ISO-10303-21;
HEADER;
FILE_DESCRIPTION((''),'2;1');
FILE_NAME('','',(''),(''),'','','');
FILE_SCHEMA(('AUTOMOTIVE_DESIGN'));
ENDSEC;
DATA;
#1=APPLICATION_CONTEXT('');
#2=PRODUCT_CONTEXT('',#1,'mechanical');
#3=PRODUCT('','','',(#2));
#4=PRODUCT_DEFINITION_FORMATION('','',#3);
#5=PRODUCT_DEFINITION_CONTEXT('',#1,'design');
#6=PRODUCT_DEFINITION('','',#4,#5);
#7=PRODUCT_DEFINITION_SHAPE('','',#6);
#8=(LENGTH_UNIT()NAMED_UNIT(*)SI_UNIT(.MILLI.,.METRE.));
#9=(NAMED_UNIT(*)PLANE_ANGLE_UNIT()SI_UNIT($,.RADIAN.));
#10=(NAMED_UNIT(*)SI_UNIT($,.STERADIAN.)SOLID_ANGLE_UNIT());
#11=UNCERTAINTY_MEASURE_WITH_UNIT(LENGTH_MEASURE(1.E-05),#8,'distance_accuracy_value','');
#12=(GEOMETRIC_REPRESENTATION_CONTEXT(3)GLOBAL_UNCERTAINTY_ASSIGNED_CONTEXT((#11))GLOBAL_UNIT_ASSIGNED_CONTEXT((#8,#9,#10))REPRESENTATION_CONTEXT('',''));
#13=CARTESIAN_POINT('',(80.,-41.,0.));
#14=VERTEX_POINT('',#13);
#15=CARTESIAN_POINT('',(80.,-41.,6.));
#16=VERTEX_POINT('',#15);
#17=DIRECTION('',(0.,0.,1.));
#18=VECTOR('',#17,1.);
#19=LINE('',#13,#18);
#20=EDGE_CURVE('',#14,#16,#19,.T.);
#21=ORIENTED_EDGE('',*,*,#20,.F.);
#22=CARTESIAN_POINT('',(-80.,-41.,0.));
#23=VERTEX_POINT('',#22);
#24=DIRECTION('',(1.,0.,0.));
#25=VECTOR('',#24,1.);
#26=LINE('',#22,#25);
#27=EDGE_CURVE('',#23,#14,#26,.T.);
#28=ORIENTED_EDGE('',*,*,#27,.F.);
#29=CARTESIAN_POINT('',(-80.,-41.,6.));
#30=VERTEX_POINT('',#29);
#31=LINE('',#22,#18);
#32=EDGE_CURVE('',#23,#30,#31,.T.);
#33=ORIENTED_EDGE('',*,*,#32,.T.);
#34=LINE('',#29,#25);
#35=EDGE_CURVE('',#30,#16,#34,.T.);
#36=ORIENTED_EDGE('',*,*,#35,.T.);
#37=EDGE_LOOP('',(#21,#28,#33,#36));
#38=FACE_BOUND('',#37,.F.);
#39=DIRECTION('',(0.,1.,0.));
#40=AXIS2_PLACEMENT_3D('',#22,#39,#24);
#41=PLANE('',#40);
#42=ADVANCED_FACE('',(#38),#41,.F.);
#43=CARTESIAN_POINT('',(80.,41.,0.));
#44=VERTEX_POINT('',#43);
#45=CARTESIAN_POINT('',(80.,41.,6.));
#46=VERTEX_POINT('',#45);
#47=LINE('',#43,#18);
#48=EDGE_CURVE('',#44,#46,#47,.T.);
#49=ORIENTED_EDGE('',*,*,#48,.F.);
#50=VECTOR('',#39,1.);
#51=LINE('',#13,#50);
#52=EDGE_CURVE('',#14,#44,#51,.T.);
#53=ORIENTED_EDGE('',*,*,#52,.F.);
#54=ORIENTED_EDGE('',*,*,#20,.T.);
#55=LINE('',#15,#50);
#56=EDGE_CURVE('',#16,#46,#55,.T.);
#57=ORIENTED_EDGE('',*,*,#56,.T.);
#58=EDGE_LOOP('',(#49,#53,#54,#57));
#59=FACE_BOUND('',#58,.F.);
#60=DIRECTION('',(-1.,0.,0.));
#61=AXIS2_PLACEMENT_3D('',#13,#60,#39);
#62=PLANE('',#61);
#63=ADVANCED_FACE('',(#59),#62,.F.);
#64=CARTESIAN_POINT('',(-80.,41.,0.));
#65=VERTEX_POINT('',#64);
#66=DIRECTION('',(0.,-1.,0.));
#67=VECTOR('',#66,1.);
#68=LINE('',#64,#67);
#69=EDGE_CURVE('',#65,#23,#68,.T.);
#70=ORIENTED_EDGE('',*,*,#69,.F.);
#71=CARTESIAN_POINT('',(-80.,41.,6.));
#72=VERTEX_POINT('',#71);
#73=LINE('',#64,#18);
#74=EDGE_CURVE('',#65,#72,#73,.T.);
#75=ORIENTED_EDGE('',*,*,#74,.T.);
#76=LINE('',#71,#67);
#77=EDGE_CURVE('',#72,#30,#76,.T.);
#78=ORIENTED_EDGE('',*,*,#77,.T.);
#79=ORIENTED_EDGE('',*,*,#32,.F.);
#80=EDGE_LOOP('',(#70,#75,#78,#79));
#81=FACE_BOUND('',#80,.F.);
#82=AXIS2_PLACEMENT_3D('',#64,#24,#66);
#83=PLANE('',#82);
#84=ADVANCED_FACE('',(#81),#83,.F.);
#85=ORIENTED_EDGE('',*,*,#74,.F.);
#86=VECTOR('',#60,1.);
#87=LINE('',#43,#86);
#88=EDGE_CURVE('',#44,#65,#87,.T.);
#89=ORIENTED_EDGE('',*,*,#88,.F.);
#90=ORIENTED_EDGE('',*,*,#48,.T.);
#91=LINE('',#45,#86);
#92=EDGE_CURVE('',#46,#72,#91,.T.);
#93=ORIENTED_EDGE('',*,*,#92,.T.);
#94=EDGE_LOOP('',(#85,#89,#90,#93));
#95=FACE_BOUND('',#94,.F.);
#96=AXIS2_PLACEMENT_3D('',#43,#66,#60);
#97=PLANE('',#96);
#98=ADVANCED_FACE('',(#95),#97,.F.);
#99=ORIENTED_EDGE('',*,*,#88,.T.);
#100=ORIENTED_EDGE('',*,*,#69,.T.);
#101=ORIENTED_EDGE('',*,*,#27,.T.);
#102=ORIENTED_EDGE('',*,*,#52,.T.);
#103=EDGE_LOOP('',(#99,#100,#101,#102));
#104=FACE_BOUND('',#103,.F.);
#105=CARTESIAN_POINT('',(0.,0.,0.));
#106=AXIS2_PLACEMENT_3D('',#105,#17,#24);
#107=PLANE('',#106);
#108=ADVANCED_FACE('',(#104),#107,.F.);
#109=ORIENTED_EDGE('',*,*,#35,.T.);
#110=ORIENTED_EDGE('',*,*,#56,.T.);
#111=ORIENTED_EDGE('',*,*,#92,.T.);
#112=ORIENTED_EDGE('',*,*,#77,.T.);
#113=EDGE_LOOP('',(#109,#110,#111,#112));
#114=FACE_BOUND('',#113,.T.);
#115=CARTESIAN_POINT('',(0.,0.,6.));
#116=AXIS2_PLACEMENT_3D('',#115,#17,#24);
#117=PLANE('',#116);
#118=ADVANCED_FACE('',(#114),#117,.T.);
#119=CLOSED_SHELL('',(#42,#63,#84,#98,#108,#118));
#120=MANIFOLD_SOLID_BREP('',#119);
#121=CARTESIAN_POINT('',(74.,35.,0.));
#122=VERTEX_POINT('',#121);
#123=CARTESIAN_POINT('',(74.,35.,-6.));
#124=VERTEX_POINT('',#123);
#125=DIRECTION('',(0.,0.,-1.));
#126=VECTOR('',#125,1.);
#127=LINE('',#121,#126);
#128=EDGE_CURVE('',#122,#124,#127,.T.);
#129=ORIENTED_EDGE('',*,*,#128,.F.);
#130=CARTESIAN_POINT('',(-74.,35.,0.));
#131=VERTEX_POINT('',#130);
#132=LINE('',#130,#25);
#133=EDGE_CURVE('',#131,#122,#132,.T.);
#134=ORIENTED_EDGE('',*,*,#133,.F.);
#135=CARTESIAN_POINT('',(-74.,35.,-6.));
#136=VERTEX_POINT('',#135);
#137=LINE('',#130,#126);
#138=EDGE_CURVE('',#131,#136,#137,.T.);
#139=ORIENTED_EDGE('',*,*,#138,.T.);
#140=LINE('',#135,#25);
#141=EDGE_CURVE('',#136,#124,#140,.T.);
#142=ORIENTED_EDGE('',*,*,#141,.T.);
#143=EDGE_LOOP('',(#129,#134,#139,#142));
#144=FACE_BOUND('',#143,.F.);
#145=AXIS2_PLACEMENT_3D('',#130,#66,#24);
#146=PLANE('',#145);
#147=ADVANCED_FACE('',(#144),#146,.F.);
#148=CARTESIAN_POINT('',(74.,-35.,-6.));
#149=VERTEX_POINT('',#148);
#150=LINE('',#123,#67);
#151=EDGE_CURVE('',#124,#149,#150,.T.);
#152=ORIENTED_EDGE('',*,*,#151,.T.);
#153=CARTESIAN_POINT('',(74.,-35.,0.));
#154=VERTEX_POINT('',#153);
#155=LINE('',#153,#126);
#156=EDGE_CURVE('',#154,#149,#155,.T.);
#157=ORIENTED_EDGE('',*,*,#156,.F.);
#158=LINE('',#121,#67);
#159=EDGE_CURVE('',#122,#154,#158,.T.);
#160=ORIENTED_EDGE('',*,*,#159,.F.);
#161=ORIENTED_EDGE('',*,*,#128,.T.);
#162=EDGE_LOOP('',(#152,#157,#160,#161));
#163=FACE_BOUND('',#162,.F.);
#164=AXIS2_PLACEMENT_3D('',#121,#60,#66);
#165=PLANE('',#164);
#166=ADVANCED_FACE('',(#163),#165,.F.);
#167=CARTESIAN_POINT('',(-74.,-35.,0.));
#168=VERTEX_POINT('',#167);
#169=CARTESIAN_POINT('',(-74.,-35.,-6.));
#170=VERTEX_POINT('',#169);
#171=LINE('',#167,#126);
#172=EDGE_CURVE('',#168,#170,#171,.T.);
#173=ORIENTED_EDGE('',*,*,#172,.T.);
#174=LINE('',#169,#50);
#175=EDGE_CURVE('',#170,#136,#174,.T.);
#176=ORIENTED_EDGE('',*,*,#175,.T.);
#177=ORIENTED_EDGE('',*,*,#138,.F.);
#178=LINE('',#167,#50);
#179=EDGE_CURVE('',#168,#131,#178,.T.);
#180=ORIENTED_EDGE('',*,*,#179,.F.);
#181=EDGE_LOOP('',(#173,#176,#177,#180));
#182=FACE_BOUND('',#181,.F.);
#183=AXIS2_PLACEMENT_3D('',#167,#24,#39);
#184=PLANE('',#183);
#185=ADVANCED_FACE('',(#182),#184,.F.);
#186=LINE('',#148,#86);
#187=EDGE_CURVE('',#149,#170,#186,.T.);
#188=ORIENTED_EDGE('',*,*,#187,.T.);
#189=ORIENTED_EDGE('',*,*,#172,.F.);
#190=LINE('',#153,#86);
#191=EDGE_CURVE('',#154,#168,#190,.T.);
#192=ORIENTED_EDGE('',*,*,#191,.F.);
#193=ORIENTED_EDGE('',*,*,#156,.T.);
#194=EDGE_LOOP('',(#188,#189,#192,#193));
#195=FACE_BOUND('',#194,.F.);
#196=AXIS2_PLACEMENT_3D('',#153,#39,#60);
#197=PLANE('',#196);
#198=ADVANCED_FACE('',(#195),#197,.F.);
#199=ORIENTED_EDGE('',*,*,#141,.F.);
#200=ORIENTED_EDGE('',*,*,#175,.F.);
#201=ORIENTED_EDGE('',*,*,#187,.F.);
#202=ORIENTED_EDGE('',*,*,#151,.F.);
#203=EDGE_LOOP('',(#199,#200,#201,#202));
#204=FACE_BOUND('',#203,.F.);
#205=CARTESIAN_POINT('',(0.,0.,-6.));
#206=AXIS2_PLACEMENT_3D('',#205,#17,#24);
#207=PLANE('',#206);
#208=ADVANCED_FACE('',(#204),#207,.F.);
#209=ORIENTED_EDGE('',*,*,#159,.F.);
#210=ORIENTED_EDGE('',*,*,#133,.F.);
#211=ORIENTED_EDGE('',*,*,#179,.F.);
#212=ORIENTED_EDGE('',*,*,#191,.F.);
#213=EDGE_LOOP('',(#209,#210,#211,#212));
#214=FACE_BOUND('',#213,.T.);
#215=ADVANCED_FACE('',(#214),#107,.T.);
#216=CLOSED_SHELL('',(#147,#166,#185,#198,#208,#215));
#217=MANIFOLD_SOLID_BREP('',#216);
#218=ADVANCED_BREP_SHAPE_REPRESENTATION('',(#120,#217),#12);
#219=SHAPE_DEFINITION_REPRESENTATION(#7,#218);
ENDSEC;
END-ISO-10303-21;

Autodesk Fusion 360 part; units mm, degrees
sketch "Sketch1" plane through (0, 0, 0) normal (0, 0, 1) x (1, 0, 0)
  line L0 (74, -35) -> (-74, -35)
  line L1 (-74, -35) -> (-74, 35)
  line L2 (-74, 35) -> (74, 35)
  line L3 (74, 35) -> (74, -35)
  line L4 (74, -35) -> (-74, 35) construction
  line L5 (-74, -35) -> (74, 35) construction
  line L6 (80, 41) -> (-80, 41)
  line L7 (-80, 41) -> (-80, -41)
  line L8 (-80, -41) -> (80, -41)
  line L9 (80, -41) -> (80, 41)
  line L10 (80, 41) -> (-80, -41) construction
  line L11 (-80, 41) -> (80, -41) construction
  dimension "d1" = 148
  dimension "d2" = 70
  dimension "d3" = 160
  dimension "d4" = 82
extrude "Extrude1" add sketch "Sketch1" against normal blind 6 contours L0 L1 L2 L3 makes body 1
extrude "Extrude2" add sketch "Sketch1" along normal blind 6 separate body contours L0 L1 L2 L3 | L6 L7 L8 L9 makes body 2
equation "d3 = d1 + 12 mm"
equation "d4 = d2 + 12 mm"
